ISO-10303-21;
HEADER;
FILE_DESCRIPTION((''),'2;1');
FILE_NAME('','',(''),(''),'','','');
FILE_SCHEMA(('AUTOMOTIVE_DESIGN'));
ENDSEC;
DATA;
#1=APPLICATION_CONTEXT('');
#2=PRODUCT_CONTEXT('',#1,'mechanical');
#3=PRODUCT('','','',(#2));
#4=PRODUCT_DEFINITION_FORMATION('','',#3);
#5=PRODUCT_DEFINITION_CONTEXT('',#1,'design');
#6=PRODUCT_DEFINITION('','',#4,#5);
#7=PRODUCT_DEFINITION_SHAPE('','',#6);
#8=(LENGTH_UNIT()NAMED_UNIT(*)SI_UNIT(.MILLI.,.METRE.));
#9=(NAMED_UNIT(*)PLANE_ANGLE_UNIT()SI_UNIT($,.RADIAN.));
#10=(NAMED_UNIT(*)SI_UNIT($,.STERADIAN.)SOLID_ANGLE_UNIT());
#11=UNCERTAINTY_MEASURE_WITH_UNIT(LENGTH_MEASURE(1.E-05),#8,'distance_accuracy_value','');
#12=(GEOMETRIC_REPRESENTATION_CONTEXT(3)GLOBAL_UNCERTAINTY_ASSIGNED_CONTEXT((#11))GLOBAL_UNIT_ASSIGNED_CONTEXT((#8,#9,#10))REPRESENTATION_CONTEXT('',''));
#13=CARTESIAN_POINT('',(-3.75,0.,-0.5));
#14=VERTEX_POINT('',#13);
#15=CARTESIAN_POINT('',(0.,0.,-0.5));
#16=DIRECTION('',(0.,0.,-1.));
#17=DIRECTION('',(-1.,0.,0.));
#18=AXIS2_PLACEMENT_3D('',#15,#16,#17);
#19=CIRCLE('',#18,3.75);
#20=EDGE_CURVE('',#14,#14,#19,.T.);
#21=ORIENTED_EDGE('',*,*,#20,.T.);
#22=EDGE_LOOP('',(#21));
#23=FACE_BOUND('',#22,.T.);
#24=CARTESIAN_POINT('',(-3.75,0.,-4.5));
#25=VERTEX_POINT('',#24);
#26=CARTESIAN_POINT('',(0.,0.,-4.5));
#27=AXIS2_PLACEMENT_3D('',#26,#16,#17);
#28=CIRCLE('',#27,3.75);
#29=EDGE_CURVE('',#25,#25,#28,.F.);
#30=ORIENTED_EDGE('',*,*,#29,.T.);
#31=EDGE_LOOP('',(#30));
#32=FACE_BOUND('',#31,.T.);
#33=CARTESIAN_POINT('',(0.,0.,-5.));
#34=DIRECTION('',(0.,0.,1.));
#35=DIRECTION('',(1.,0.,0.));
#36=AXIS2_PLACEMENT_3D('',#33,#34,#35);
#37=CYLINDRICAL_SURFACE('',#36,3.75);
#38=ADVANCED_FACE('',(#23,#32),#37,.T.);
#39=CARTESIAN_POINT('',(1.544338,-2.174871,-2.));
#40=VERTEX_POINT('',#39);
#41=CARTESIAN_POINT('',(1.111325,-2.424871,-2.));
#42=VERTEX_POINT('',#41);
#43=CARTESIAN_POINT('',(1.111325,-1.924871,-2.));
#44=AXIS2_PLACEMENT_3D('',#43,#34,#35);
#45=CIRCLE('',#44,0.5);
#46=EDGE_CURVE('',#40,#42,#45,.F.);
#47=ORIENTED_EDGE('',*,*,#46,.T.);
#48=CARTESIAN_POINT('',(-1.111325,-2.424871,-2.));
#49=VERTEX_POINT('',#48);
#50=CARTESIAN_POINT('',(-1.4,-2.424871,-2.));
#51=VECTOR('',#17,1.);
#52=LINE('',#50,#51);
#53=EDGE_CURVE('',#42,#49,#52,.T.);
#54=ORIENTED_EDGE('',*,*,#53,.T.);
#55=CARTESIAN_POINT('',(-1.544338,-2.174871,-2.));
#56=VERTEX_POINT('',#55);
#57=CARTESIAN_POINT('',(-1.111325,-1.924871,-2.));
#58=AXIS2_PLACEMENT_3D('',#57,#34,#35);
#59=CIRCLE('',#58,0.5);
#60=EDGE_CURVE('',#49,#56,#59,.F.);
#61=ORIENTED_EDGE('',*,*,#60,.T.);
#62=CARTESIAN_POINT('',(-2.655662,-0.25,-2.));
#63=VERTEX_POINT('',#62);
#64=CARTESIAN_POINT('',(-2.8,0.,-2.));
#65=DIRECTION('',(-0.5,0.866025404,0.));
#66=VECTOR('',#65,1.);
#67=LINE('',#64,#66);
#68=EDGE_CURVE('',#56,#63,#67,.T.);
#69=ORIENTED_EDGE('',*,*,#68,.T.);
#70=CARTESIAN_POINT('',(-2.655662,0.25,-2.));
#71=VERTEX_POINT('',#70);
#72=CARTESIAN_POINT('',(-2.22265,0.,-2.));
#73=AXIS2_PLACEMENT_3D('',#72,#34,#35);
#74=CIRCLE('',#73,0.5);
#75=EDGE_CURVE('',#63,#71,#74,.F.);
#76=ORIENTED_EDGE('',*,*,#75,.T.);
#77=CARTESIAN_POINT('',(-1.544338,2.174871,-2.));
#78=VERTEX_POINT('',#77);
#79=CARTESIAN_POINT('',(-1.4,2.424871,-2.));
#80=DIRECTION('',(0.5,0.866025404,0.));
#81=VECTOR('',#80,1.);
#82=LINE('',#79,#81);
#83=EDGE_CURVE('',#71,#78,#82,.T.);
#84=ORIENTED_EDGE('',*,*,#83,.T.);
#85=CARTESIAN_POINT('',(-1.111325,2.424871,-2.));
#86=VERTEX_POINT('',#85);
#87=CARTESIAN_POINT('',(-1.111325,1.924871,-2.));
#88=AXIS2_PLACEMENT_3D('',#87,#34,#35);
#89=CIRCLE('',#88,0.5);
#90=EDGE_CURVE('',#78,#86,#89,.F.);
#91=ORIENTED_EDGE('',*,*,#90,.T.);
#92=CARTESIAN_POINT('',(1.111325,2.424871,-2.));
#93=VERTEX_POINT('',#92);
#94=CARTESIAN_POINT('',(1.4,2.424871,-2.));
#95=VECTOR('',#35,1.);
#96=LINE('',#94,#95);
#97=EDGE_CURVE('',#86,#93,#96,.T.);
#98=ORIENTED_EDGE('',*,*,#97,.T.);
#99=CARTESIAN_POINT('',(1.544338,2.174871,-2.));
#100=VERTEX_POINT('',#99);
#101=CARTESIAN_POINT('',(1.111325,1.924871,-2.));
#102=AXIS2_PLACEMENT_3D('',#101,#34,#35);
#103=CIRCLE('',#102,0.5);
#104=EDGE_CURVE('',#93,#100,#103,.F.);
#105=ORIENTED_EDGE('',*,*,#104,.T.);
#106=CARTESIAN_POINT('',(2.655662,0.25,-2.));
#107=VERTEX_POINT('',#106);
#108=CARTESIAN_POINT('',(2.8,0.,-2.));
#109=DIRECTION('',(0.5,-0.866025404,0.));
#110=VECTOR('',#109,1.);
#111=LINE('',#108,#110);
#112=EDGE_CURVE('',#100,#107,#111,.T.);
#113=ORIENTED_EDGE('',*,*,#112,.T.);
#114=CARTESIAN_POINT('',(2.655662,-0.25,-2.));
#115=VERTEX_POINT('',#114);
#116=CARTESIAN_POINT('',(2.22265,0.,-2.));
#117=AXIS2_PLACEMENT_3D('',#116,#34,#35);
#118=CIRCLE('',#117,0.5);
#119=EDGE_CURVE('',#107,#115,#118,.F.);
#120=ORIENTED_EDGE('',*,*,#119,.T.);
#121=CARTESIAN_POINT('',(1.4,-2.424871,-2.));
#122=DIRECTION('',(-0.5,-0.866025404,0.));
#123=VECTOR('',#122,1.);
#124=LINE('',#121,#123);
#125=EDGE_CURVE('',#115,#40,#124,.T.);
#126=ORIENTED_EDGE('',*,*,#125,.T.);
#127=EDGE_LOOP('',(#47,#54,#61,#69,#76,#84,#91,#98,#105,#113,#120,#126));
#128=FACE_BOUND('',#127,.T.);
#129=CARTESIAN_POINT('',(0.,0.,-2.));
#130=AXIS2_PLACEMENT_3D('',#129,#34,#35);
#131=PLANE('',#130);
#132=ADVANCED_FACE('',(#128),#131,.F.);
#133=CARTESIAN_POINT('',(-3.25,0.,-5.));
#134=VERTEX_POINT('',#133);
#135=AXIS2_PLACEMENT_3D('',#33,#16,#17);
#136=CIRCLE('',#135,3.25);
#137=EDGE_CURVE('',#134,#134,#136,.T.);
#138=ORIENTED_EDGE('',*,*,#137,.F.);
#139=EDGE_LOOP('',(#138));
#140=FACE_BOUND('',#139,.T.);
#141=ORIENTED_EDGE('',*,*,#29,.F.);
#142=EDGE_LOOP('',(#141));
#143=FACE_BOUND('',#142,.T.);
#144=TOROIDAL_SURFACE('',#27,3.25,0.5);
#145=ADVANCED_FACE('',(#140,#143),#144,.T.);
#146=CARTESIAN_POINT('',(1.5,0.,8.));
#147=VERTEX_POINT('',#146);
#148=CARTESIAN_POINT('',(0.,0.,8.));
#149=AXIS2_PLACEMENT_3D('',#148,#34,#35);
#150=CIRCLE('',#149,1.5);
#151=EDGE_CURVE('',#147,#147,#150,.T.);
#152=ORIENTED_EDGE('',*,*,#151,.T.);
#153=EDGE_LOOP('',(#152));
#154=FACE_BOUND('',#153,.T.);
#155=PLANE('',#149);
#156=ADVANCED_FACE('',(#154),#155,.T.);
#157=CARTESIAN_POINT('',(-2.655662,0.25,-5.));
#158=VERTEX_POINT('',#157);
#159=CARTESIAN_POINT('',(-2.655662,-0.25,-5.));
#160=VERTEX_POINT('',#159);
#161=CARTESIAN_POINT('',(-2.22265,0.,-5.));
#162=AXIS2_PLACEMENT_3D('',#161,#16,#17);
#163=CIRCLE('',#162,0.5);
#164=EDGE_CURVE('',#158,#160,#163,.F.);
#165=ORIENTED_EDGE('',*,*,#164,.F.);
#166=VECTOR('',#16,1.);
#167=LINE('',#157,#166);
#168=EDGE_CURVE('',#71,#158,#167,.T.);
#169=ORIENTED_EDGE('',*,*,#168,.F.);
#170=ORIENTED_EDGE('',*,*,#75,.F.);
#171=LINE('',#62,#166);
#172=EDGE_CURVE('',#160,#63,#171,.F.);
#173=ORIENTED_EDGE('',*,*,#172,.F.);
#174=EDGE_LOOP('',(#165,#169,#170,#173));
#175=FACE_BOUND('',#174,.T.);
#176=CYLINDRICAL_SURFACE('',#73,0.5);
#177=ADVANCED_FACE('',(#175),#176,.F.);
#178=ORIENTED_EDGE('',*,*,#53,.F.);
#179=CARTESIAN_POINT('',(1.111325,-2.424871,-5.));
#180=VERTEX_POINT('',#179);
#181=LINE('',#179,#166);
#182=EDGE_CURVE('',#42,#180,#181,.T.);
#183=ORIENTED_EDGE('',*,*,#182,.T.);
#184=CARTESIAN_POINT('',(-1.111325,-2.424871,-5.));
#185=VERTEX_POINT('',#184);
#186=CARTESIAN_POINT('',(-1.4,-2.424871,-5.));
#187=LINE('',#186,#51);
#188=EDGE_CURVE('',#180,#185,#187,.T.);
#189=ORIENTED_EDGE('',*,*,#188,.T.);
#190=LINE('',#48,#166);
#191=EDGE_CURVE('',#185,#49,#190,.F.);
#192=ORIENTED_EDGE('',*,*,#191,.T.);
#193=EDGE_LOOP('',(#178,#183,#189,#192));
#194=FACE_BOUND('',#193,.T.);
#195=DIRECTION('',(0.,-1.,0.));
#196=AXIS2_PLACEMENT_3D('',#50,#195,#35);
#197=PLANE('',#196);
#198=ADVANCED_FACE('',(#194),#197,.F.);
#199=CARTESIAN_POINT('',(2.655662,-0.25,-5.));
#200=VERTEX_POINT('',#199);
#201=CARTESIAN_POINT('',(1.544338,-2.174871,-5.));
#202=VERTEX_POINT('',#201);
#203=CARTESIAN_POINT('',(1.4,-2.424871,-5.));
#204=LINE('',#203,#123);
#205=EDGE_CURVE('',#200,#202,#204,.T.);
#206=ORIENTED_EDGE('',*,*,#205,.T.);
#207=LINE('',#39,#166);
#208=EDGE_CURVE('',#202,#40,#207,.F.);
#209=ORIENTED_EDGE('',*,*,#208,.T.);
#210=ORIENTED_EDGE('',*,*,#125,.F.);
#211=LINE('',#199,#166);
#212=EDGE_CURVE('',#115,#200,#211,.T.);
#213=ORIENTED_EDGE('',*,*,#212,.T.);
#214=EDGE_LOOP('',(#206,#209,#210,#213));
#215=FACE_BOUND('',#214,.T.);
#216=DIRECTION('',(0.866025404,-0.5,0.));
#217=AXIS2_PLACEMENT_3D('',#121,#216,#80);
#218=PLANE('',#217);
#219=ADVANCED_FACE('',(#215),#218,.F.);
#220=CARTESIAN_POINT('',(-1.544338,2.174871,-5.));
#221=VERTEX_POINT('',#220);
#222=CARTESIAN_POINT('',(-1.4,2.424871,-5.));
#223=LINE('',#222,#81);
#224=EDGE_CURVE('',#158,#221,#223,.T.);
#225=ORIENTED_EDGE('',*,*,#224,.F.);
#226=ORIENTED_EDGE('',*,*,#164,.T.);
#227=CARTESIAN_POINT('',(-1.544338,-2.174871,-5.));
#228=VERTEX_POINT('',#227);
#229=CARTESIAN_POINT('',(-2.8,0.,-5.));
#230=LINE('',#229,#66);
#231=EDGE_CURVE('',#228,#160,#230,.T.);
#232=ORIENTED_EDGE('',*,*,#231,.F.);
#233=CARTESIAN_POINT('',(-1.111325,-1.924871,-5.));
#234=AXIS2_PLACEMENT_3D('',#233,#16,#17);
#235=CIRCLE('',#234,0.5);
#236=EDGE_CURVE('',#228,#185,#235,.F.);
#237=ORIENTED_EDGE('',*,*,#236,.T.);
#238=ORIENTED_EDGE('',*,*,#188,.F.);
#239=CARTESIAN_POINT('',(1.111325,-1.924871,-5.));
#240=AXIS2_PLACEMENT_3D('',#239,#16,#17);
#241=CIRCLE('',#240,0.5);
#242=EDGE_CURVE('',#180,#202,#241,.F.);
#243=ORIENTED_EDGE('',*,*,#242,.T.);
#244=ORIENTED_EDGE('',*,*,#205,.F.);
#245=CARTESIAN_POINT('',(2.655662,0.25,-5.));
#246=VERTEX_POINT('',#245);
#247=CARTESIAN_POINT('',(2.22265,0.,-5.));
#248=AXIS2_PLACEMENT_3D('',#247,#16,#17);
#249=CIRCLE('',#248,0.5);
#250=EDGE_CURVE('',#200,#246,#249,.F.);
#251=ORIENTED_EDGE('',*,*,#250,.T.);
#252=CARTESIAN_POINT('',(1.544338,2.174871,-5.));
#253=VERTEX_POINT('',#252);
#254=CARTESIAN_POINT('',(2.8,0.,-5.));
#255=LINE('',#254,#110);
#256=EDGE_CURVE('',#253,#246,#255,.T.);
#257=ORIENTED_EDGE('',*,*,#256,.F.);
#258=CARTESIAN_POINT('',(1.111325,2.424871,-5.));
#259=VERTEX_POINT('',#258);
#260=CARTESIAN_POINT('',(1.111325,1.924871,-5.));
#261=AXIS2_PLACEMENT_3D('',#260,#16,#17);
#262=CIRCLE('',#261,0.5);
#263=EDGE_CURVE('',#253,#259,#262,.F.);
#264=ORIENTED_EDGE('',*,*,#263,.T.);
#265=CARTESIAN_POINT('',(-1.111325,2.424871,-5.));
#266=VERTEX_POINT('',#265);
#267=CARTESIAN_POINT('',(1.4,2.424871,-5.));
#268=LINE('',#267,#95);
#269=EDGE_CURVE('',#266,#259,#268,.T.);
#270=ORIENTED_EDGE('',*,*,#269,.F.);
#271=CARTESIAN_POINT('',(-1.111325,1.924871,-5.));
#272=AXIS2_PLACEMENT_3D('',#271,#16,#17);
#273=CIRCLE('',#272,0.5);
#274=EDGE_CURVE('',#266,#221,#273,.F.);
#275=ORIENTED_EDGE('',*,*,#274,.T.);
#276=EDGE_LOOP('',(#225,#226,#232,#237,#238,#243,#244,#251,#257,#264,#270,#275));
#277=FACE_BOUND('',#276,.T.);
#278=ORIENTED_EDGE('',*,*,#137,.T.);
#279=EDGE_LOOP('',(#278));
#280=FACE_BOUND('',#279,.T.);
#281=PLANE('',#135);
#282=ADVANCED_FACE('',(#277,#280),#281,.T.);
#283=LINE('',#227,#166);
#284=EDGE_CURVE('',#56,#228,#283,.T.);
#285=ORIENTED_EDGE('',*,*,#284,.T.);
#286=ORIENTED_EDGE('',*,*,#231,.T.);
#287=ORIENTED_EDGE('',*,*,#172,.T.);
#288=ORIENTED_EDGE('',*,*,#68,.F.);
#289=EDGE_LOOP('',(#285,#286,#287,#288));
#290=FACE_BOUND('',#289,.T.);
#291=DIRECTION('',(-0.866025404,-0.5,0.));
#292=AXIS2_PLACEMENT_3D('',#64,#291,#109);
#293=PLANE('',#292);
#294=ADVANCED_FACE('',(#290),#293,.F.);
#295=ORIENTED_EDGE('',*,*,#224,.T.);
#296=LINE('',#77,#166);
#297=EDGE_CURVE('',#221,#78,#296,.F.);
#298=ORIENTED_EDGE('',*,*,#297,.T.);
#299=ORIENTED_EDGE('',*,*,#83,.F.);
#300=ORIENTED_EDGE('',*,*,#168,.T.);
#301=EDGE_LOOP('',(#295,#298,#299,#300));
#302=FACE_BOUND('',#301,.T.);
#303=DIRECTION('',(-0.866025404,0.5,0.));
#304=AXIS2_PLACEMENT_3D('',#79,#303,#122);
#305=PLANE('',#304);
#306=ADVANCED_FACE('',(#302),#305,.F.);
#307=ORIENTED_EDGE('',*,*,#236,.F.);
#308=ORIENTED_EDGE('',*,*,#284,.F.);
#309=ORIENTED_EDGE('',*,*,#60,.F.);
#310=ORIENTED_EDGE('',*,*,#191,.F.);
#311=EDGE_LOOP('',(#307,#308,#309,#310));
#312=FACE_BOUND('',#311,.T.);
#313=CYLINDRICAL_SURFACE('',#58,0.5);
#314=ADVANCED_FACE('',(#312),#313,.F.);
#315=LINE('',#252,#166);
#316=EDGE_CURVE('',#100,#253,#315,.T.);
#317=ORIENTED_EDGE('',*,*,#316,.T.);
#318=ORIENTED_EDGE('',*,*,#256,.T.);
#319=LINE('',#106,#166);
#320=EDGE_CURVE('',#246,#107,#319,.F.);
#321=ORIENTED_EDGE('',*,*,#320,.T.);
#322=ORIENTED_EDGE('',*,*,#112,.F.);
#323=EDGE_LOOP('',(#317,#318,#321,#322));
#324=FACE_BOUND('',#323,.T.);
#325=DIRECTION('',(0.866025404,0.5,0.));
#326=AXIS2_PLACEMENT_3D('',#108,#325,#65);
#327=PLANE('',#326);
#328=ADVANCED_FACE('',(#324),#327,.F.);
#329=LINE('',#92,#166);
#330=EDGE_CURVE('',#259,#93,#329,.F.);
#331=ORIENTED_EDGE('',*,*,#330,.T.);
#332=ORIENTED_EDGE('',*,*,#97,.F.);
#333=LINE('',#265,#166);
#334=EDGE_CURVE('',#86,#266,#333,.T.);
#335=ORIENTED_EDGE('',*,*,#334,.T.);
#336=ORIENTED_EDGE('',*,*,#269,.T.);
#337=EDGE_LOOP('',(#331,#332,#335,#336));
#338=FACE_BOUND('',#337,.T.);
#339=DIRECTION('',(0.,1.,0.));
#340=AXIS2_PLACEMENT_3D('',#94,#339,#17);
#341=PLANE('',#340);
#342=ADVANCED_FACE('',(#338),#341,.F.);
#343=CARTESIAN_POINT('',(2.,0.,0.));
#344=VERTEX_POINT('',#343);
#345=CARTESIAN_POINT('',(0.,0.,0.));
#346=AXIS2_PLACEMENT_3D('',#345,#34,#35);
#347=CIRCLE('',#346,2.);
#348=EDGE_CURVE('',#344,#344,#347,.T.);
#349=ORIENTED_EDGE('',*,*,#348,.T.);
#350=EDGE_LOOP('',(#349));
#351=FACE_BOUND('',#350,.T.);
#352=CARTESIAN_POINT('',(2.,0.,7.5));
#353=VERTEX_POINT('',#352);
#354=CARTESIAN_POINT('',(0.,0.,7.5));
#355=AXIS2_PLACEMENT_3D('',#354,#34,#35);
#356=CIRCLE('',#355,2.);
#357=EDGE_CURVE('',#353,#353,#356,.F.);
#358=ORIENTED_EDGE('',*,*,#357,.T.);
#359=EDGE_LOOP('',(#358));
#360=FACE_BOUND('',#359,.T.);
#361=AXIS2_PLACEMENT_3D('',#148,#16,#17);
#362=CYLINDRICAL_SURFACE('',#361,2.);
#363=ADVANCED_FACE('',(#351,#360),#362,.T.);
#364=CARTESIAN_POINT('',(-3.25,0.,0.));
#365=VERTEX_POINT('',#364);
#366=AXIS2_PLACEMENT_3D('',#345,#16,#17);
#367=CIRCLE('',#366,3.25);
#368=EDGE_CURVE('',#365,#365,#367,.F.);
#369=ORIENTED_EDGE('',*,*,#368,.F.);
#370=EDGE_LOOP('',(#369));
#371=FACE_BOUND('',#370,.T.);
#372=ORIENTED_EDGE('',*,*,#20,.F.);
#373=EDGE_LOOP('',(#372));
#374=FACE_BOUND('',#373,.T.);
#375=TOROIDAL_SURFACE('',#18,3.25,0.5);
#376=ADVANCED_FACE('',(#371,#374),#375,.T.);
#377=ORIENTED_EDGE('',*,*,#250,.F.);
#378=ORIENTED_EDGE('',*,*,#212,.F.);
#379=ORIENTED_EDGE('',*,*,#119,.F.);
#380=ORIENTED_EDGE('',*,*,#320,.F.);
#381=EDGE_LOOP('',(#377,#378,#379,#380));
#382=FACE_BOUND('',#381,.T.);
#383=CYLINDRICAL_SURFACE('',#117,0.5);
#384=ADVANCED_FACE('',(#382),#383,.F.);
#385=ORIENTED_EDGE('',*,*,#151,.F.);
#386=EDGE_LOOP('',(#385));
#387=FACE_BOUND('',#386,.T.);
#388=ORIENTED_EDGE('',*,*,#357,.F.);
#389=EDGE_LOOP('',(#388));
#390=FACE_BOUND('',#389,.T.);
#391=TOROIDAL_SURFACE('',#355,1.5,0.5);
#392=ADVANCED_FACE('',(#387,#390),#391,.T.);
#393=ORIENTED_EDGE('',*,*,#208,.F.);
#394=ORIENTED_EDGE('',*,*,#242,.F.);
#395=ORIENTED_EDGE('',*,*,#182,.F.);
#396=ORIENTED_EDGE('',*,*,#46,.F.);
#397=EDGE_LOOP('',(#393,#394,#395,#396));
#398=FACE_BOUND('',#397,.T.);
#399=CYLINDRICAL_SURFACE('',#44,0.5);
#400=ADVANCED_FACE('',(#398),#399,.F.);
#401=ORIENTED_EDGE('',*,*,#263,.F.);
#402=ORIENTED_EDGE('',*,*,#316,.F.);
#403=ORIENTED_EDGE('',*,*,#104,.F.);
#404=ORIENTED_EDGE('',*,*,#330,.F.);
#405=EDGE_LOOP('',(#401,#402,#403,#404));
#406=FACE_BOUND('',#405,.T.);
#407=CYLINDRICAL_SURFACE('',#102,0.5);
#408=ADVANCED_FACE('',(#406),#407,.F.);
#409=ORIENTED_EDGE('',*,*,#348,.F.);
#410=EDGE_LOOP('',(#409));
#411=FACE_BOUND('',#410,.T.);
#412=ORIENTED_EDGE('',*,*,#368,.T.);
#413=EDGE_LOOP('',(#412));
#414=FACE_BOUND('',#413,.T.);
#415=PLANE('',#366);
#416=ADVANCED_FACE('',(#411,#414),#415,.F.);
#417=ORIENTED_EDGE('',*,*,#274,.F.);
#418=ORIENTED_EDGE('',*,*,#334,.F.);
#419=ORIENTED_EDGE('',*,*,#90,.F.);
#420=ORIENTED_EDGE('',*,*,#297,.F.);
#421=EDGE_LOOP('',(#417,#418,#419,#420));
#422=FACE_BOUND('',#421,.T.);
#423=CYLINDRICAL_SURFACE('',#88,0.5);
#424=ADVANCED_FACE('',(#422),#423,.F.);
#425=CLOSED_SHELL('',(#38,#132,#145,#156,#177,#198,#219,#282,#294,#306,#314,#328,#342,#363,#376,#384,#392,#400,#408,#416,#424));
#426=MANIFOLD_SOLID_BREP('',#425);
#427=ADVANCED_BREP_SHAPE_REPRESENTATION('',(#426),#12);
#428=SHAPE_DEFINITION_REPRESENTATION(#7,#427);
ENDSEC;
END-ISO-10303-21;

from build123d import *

# Parameters (mm, degrees)
SKETCH_1_R          = 2
EXTRUDE_1_DEPTH     = 8
SKETCH_2_R          = 3.75
EXTRUDE_2_DEPTH     = 5
CUT_EXTRUDE_2_DEPTH = 3
FILLET_1_R          = 0.5


with BuildPart() as part:
    # 草图1 → 凸台-拉伸1 (new body)
    with BuildSketch(Plane.XY):
        Circle(SKETCH_1_R)
    extrude(amount=EXTRUDE_1_DEPTH)

    # 草图2 → 凸台-拉伸2 (add)
    with BuildSketch(Plane(origin=(0, 0, 0), x_dir=(-1, 0, 0), z_dir=(0, 0, -1))):
        Circle(SKETCH_2_R)
    extrude(amount=EXTRUDE_2_DEPTH)

    # 草图4 → 切除-拉伸2 (cut)
    with BuildSketch(Plane(origin=(0, 0, -5), x_dir=(-1, 0, 0), z_dir=(0, 0, -1))):
        Polygon((-1.4, 2.424871131), (1.4, 2.424871131), (2.8, 0), (1.4, -2.424871131), (-1.4, -2.424871131), (-2.8, 0), align=None)
    extrude(amount=-CUT_EXTRUDE_2_DEPTH, mode=Mode.SUBTRACT)

    # 圆角1
    fillet_1_edges = [part.edges().sort_by_distance(p)[0] for p in [
        (-1.4, 2.424871131, -3.5),
        (-2.8, 0, -3.5),
        (-1.4, -2.424871131, -3.5),
        (1.4, -2.424871131, -3.5),
        (2.8, 0, -3.5),
        (1.4, 2.424871131, -3.5),
        (-2, 0, 8),
        (3.75, 0, 0),
        (3.75, 0, -5),
    ]]
    fillet(fillet_1_edges, radius=FILLET_1_R)


solid = part.part
